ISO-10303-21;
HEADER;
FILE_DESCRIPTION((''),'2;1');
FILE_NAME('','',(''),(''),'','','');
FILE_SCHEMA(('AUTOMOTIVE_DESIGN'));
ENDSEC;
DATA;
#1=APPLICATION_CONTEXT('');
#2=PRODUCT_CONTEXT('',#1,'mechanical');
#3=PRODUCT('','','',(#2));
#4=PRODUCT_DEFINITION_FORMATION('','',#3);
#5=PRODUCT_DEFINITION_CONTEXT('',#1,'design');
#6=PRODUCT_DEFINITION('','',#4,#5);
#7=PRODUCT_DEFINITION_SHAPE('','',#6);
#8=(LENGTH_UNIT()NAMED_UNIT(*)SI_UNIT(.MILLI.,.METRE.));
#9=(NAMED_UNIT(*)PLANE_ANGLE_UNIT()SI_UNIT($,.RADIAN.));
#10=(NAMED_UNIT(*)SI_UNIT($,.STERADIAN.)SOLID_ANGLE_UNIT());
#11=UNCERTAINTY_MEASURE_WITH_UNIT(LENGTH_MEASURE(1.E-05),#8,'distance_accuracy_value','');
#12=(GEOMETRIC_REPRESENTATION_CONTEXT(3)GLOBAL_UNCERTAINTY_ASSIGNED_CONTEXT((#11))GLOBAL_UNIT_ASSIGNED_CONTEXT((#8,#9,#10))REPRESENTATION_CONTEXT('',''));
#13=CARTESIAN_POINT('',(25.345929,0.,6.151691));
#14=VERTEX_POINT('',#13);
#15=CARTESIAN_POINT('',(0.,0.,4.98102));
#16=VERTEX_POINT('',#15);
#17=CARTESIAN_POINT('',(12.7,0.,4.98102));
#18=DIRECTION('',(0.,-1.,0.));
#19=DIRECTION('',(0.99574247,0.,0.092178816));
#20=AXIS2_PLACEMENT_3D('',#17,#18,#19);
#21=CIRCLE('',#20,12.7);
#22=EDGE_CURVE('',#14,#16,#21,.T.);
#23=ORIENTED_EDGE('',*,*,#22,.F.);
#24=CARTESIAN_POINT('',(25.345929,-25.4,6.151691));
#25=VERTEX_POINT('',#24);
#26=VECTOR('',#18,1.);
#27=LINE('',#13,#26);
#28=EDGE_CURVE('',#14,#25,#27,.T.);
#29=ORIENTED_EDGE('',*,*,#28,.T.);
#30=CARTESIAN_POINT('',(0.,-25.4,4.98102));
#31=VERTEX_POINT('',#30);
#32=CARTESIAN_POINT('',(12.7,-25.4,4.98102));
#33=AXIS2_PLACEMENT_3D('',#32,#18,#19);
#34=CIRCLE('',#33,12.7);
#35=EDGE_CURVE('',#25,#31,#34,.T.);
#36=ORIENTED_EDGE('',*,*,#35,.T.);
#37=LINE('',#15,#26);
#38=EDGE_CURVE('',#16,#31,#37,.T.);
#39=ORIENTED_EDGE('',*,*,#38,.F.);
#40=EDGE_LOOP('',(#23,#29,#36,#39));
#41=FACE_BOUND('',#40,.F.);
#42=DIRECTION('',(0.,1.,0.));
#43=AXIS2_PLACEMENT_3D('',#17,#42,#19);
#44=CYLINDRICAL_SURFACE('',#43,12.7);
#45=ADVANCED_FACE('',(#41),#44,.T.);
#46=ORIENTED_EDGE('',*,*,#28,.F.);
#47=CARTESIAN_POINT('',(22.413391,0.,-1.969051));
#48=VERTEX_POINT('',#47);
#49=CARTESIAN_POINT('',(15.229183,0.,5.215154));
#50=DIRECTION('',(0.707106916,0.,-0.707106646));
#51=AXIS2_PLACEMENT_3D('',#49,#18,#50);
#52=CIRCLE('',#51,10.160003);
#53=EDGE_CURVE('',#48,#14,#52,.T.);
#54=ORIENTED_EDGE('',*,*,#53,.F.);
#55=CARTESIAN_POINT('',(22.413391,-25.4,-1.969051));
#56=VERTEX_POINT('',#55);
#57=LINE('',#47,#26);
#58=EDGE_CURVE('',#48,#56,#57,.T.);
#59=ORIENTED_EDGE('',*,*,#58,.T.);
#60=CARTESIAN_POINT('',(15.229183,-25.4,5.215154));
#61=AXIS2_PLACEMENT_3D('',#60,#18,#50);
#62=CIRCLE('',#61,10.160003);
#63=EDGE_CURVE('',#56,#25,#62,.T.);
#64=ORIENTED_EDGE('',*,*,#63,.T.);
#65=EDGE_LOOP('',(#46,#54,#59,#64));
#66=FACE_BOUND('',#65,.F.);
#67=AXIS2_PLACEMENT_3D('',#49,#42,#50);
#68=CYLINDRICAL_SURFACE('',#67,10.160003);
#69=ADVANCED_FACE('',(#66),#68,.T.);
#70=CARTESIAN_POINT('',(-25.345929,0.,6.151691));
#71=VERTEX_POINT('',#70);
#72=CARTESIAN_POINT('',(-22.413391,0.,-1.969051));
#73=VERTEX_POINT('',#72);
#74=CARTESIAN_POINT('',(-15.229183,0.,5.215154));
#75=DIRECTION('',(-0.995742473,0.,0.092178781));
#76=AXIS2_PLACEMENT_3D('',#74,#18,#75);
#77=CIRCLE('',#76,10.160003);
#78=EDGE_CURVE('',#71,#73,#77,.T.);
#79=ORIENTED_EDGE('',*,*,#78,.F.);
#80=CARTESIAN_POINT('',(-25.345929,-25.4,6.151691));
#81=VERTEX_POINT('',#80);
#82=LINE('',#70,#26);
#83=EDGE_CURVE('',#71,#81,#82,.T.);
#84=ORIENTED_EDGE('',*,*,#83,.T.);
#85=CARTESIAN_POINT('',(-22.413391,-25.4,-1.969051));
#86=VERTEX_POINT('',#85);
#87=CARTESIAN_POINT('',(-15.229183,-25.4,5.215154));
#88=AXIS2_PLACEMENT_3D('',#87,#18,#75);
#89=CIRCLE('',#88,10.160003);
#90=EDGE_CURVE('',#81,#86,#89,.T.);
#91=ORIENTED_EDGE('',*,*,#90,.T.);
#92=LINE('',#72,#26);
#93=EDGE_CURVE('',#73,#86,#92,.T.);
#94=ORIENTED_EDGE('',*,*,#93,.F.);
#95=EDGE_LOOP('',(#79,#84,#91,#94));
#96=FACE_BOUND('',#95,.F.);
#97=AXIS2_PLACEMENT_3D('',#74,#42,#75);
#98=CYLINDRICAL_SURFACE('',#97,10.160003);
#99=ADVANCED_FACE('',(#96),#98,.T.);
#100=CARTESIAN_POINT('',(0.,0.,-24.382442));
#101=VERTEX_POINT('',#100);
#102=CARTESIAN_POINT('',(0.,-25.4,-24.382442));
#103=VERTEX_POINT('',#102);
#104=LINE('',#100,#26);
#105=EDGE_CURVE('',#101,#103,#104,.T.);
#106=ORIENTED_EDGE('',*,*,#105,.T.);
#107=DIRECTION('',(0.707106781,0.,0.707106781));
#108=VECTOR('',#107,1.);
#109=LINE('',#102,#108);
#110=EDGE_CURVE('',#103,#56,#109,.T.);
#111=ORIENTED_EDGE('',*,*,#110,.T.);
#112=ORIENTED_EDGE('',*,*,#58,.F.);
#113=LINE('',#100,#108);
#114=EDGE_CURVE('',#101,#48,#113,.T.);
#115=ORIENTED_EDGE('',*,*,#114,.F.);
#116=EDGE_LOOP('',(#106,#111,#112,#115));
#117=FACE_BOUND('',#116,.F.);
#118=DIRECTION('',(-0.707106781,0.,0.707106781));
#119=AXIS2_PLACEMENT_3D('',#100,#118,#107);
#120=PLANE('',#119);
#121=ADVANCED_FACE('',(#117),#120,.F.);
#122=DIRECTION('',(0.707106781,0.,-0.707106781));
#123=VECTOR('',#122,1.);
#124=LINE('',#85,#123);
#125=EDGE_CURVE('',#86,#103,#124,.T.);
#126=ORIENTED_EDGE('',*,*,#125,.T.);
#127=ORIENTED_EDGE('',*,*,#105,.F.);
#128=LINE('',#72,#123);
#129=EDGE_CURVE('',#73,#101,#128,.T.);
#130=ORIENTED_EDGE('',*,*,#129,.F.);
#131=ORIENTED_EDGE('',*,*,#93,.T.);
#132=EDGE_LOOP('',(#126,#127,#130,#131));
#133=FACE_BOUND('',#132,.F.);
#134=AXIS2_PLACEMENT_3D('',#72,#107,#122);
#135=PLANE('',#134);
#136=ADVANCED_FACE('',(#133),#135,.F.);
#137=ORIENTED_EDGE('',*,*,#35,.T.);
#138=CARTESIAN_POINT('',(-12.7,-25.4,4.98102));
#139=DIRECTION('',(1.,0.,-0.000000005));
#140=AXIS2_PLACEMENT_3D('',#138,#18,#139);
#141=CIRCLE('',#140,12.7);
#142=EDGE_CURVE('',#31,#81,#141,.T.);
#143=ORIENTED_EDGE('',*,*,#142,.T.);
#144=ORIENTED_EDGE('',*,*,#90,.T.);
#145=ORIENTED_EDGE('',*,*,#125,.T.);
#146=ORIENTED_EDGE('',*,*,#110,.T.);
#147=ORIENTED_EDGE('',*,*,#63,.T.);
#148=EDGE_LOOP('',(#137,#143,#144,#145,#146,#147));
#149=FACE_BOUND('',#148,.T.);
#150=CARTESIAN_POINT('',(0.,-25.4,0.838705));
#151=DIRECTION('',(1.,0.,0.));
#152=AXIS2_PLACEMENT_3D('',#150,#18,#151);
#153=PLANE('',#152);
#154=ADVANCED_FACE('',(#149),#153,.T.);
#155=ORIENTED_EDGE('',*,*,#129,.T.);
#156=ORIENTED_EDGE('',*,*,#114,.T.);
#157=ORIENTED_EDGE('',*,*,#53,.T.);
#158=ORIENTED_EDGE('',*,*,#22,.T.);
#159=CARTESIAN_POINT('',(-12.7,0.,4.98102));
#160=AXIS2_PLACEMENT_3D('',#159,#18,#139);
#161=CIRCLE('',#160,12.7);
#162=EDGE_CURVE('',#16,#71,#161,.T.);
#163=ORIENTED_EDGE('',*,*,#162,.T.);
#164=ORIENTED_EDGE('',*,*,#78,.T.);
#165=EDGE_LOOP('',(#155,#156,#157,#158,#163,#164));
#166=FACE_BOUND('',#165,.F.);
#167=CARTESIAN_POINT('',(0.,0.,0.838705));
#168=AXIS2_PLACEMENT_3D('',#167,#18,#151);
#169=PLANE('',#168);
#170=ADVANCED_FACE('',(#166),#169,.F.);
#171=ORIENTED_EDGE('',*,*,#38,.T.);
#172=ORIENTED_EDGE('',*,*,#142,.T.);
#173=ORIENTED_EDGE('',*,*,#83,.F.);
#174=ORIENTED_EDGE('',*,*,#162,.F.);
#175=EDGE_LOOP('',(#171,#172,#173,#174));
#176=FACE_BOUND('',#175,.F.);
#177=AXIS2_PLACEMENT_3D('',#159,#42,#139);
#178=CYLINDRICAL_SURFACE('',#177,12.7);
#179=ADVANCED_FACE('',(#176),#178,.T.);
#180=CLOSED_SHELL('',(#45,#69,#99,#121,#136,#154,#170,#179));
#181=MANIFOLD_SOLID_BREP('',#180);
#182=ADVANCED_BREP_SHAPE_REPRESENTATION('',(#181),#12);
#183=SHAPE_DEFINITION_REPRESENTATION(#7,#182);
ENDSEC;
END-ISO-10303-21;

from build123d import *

# Parameters (mm, degrees)
F1_DEPTH = 25.4


with BuildPart() as f1:
    # F0 (on Front) → F1 (new body)
    with BuildSketch(Plane.XZ):
        with BuildLine():
            Line((-22.413391, -1.969051), (0, -24.382442))
            Line((0, -24.382442), (22.413391, -1.969051))
            ThreePointArc((22.413391, -1.969051), (24.785195, 1.764316), (25.345929, 6.151691))
            ThreePointArc((25.345929, 6.151691), (12.11404, 17.667495), (0, 4.98102))
            ThreePointArc((0, 4.98102), (-12.11404, 17.667495), (-25.345929, 6.151691))
            ThreePointArc((-25.345929, 6.151691), (-24.785195, 1.764316), (-22.413391, -1.969051))
        make_face()
    extrude(amount=F1_DEPTH)


solid = f1.part
